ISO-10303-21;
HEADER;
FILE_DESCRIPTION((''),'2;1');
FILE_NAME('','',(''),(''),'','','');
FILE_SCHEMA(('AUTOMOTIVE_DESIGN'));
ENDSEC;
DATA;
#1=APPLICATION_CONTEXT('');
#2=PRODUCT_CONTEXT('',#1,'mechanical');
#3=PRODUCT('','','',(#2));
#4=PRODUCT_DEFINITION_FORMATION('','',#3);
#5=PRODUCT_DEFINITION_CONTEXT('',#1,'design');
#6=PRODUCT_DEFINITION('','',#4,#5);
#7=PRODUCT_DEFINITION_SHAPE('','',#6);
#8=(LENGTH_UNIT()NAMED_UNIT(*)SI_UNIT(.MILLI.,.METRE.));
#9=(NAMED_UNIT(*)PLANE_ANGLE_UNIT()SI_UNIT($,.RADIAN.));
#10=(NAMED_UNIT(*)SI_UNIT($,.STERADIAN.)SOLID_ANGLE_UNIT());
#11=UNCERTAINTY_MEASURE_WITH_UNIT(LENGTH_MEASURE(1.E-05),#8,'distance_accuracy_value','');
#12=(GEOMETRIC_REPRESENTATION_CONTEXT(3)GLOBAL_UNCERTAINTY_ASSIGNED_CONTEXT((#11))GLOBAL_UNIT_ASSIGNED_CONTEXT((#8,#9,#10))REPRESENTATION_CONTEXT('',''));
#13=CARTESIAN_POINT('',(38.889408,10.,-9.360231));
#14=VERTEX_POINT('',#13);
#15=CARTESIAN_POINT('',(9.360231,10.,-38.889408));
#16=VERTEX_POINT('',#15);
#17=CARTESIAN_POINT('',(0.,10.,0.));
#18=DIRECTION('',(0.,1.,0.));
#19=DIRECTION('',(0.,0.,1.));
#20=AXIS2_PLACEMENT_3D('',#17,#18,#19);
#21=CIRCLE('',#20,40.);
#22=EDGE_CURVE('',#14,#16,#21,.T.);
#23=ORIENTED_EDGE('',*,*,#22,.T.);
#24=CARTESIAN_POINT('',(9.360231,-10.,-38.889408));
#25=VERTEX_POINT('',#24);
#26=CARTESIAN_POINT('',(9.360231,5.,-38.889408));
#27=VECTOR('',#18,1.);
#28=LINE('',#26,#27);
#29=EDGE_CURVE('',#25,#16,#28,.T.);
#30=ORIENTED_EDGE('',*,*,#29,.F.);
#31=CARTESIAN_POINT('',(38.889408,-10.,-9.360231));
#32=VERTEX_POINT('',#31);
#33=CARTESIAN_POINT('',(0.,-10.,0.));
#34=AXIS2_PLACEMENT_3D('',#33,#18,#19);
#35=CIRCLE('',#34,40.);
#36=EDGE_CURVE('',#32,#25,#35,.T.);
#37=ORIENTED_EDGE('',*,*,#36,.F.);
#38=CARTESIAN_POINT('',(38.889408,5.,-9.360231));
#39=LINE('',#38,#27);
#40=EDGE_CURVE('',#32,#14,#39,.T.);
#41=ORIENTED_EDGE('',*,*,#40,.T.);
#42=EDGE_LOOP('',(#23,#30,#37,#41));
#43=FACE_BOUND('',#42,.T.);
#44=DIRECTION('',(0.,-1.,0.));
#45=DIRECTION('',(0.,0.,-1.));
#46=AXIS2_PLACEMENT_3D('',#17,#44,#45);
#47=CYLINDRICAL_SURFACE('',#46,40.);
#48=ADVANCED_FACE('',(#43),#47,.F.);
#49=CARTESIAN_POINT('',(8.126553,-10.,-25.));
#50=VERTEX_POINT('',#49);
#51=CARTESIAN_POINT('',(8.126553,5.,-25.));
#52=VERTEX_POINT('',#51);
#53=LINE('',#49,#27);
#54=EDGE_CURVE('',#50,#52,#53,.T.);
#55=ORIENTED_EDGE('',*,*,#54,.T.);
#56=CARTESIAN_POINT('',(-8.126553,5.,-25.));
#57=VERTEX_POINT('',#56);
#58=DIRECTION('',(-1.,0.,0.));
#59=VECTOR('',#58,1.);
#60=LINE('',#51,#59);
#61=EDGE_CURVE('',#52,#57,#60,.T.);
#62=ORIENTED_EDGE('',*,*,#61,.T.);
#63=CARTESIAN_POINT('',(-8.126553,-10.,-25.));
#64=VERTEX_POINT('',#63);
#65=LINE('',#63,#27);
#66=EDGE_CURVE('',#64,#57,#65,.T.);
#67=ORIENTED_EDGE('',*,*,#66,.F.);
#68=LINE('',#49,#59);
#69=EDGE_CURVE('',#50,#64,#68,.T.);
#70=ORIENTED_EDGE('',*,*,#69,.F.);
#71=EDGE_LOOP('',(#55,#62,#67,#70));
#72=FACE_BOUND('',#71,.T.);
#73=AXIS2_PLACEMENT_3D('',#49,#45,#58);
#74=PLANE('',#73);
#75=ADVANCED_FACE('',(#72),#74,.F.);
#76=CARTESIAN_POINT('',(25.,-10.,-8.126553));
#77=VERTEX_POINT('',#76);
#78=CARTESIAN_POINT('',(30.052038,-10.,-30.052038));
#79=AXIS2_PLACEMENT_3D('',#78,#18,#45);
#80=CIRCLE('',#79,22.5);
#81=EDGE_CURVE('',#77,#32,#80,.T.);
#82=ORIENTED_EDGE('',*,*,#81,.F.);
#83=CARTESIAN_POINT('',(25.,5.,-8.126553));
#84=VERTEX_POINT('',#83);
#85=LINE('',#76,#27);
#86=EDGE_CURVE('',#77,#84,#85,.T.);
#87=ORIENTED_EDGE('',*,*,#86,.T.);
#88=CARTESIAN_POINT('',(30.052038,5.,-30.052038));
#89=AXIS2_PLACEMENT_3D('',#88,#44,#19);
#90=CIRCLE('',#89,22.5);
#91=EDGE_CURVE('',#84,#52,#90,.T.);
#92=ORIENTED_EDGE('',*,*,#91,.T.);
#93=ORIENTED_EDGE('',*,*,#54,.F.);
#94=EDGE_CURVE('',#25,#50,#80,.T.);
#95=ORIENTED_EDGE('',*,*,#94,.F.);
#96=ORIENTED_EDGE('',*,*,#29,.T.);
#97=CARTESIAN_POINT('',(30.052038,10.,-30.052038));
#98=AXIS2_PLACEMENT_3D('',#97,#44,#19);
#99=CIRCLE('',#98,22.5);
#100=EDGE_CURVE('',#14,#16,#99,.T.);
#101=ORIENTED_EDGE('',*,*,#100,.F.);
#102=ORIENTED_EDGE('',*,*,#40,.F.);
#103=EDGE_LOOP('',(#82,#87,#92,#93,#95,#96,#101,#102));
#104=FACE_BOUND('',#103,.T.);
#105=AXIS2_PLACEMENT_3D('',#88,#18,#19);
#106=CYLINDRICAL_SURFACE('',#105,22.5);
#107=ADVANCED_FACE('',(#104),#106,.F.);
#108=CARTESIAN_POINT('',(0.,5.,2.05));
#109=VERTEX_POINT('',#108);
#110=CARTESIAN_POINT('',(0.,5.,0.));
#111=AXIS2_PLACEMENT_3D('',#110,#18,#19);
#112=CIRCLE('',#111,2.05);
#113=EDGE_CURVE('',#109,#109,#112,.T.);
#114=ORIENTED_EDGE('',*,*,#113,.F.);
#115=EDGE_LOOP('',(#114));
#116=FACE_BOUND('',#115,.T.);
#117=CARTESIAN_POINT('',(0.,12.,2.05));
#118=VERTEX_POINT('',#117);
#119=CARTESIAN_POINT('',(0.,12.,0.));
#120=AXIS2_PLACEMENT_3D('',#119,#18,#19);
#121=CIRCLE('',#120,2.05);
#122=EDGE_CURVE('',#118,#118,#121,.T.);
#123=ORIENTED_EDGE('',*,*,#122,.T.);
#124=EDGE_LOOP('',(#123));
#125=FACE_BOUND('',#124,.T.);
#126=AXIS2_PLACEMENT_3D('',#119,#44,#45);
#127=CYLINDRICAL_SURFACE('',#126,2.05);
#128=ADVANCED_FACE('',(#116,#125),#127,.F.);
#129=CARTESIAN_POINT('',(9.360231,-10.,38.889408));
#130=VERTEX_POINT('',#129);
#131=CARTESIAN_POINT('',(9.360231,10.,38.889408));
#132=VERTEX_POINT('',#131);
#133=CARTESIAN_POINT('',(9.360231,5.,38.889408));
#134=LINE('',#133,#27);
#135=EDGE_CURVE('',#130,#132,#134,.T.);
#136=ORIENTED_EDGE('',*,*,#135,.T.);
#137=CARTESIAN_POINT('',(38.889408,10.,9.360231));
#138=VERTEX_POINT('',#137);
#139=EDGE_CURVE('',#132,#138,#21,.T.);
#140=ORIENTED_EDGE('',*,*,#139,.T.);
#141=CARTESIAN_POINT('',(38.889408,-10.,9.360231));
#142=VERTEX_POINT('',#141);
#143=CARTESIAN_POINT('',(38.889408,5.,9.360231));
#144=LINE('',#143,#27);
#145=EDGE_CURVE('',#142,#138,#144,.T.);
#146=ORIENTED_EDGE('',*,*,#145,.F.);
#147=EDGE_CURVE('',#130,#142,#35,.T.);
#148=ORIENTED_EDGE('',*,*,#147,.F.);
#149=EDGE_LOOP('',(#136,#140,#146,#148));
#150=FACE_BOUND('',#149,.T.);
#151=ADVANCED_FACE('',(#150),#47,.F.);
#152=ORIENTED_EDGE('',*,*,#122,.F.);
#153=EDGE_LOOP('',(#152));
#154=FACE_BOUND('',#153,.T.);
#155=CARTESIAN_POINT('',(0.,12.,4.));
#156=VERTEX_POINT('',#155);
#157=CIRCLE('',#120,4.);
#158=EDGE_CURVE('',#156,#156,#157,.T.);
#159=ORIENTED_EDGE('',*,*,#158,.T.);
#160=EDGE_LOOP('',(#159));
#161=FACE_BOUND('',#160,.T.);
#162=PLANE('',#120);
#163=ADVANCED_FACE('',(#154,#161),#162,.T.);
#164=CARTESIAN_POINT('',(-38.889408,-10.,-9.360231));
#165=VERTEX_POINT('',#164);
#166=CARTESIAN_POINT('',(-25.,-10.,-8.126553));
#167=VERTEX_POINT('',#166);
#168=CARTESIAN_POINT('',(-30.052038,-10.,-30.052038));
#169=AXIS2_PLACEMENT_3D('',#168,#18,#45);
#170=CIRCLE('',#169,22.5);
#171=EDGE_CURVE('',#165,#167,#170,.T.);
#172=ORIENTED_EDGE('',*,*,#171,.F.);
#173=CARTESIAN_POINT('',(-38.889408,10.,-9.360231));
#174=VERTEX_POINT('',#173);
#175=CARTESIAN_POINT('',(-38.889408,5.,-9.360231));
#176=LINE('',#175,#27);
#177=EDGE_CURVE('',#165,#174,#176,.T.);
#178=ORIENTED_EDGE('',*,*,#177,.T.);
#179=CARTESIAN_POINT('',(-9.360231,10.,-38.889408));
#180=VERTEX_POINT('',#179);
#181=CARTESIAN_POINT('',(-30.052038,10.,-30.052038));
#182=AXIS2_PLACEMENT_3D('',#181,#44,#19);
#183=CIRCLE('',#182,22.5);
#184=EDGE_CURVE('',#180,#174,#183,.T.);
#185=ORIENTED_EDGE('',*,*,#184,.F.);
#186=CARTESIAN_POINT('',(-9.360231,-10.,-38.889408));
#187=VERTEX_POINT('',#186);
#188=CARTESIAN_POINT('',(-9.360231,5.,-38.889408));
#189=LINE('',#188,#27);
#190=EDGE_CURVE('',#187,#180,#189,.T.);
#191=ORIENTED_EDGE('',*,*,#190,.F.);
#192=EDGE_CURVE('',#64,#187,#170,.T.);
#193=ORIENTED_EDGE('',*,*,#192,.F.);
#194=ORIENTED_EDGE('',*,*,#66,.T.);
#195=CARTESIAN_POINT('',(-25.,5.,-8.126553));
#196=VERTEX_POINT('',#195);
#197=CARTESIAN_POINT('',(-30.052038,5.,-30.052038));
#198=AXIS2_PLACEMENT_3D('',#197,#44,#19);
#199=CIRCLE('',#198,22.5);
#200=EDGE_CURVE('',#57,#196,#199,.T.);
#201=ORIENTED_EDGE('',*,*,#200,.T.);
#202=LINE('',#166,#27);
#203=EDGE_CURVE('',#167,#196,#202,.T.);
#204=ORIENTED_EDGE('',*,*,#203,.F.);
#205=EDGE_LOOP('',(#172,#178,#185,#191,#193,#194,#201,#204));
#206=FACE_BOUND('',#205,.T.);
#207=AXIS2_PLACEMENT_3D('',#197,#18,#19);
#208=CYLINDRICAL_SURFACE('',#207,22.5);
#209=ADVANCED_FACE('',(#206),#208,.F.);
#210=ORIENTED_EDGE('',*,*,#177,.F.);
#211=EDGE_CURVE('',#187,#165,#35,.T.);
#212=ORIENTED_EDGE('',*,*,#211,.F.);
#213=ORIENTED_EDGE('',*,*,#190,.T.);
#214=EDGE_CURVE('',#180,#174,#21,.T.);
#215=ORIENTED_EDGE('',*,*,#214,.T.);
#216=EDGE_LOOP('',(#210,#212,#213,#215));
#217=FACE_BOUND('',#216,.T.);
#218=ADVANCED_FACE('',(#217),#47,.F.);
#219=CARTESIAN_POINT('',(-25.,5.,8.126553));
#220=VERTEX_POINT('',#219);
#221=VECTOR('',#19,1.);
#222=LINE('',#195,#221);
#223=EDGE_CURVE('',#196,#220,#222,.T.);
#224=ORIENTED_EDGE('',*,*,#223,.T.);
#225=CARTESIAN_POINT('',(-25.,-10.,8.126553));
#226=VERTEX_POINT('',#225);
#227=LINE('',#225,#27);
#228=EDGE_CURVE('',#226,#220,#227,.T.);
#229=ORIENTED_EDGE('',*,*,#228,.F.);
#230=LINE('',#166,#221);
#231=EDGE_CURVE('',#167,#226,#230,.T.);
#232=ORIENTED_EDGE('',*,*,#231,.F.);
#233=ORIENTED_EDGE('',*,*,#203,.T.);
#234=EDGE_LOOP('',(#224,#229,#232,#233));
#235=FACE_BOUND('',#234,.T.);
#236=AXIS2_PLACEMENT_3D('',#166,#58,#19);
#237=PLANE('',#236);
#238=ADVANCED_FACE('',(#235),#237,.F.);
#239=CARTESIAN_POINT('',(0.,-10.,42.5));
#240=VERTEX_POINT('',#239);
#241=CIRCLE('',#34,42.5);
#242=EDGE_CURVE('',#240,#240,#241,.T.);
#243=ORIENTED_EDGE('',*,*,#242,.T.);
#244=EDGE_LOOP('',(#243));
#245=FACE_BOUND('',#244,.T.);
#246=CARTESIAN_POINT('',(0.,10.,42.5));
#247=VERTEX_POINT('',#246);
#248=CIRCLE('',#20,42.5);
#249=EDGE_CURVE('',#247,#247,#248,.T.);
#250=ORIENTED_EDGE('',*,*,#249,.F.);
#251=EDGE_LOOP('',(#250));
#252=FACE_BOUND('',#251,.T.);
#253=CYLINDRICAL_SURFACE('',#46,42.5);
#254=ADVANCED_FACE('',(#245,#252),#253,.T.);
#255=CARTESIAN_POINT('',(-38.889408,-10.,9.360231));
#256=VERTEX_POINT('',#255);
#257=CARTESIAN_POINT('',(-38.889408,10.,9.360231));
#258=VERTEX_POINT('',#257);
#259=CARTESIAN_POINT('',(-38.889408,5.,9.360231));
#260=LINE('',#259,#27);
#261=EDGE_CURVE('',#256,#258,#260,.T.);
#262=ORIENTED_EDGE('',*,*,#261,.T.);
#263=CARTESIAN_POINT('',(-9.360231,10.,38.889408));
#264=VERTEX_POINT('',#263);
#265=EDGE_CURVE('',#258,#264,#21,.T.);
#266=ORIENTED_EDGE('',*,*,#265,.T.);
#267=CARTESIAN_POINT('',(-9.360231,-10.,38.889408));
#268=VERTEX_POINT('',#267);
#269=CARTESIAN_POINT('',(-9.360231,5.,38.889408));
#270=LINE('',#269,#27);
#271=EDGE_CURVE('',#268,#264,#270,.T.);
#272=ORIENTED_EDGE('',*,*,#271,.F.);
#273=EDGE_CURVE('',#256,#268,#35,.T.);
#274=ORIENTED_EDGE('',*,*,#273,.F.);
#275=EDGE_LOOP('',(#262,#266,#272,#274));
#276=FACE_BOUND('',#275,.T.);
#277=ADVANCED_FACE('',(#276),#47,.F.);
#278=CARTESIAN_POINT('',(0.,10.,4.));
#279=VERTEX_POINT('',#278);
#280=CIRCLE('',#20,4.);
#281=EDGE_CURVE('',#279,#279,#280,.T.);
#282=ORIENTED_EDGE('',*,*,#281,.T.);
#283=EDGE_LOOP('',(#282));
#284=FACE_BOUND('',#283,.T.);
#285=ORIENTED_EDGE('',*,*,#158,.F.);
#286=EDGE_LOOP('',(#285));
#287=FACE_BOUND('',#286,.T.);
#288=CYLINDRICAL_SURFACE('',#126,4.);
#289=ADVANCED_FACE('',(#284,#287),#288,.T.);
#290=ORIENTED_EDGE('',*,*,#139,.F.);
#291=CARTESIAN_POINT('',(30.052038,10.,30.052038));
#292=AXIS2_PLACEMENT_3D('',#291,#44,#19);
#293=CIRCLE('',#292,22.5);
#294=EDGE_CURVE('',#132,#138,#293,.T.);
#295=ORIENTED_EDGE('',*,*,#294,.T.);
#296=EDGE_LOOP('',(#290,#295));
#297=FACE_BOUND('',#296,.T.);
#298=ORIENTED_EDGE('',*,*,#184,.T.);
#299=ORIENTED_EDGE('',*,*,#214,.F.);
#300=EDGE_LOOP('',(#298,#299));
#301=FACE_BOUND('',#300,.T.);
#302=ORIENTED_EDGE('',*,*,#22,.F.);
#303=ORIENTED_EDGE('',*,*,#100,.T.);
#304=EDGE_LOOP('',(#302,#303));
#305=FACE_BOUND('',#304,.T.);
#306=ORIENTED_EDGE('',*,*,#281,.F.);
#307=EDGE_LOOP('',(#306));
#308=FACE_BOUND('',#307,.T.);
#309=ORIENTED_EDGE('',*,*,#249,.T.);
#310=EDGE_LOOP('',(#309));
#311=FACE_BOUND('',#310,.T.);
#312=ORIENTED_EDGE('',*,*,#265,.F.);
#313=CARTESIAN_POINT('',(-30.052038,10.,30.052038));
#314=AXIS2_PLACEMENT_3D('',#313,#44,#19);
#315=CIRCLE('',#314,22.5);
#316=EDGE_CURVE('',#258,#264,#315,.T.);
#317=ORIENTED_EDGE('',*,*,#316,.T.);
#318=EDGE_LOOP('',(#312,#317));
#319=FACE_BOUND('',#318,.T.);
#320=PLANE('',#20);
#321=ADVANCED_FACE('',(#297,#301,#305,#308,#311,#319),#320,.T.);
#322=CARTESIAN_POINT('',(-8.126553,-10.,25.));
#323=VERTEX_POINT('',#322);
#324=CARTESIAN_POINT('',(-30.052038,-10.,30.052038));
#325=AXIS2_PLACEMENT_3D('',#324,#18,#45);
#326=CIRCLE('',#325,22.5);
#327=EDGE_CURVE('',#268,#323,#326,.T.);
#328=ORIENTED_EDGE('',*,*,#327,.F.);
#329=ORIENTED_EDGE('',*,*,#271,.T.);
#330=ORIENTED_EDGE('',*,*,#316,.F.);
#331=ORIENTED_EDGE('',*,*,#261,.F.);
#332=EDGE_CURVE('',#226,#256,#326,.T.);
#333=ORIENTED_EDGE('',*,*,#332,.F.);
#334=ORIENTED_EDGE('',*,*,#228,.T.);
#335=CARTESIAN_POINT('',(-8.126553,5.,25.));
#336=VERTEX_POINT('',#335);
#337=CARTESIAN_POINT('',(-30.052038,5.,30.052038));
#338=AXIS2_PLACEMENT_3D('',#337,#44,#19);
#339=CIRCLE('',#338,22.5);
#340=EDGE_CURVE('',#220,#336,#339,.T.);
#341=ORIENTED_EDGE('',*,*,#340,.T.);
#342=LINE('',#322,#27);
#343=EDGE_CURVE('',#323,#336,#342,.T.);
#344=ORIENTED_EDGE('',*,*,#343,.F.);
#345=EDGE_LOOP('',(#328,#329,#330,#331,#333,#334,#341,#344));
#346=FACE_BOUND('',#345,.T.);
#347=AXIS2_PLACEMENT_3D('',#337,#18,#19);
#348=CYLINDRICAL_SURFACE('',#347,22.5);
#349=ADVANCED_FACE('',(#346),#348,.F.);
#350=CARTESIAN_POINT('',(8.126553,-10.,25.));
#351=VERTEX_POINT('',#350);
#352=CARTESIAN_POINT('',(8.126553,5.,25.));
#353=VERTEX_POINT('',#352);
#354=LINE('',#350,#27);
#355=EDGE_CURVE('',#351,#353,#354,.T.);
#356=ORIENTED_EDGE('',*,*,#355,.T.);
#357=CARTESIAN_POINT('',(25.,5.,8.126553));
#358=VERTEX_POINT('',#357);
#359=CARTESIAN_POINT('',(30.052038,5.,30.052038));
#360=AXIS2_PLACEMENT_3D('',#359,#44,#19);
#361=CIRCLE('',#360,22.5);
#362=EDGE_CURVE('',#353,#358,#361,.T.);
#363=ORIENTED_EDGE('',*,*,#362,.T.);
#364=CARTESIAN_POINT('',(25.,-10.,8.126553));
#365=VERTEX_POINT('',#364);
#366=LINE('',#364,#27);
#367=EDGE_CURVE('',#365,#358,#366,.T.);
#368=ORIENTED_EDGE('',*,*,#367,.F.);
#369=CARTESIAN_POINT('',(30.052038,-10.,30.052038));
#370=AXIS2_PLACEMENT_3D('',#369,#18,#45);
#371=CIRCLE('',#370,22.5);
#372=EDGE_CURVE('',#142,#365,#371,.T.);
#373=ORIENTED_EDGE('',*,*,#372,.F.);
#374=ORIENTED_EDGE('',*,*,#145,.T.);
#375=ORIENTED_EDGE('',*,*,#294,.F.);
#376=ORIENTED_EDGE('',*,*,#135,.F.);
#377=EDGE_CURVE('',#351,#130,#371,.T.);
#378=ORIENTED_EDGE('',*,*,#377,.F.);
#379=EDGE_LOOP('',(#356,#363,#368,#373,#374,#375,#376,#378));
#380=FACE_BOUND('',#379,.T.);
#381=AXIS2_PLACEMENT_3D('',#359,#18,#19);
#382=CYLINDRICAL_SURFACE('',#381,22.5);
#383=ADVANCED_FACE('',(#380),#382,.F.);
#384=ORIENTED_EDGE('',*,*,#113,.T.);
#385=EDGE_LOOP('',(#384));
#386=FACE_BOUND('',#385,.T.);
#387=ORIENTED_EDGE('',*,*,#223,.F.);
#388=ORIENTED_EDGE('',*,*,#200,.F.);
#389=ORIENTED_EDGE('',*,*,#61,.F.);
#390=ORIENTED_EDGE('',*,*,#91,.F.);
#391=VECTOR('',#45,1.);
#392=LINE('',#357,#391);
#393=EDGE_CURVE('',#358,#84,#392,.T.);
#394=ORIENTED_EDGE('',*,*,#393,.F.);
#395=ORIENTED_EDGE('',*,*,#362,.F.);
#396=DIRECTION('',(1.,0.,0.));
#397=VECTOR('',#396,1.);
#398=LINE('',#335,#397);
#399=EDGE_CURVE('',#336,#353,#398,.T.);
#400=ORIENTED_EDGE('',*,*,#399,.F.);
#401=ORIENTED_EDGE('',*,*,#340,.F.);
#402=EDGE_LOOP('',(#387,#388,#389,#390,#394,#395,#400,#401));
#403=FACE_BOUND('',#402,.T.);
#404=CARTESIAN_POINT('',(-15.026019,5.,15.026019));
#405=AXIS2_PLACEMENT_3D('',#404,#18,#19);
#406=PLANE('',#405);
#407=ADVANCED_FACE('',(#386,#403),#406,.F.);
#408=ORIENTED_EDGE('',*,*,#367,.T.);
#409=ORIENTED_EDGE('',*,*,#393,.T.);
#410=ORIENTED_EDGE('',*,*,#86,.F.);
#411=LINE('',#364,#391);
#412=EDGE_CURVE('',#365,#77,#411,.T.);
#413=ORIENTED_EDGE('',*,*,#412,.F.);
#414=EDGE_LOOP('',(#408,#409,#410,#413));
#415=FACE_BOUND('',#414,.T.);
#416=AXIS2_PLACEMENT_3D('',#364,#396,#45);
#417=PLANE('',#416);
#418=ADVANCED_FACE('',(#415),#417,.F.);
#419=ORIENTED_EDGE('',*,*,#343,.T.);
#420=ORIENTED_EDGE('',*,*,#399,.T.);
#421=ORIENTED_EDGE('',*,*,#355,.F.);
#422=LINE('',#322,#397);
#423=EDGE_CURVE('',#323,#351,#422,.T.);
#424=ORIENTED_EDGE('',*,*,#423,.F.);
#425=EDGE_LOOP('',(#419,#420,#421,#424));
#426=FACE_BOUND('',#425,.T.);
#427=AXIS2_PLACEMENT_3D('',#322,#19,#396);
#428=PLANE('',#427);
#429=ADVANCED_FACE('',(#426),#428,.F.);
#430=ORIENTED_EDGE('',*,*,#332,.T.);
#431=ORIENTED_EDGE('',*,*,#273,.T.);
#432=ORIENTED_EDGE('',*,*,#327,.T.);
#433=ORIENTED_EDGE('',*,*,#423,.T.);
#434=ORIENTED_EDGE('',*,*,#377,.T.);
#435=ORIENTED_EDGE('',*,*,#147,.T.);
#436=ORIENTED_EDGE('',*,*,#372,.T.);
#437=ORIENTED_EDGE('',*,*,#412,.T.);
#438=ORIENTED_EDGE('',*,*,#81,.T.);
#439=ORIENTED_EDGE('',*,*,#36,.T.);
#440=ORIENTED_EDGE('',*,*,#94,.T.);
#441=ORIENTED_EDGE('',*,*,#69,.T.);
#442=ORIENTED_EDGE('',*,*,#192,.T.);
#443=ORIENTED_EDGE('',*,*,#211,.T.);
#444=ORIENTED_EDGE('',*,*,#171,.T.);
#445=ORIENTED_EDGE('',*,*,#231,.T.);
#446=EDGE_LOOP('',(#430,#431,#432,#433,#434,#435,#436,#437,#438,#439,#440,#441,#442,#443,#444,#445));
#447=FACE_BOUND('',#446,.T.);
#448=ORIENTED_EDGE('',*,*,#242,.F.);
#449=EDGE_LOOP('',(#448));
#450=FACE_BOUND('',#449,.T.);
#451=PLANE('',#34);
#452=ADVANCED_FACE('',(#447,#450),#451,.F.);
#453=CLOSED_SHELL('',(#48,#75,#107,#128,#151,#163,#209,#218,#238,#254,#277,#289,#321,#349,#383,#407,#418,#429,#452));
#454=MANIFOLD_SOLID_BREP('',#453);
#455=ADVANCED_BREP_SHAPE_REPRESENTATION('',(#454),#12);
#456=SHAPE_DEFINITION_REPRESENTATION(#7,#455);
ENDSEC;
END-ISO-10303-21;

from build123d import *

# Parameters (mm, degrees)
SKETCH1_R           = 42.5
SKETCH1_R_2         = 40
BOSS_EXTRUDE1_DEPTH = 10
BOSS_EXTRUDE2_START = -5
BOSS_EXTRUDE2_DEPTH = 5
SKETCH3_R           = 4
SKETCH3_R_2         = 2.05
BOSS_EXTRUDE3_DEPTH = 2
SKETCH4_R           = 2.05
CUT_EXTRUDE1_DEPTH  = 64.344297297
BOSS_EXTRUDE4_START = 15
BOSS_EXTRUDE4_DEPTH = 15


with BuildPart() as part:
    # Sketch1 → Boss-Extrude1 (new, symmetric)
    with BuildSketch(Plane(origin=(0, 0, 0), x_dir=(1, 0, 0), z_dir=(0, 1, 0))):
        with Locations(Location((0, 0, 0), (0, 0, 270))):
            Circle(SKETCH1_R)
        with Locations(Location((0, 0, 0), (0, 0, 270))):
            Circle(SKETCH1_R_2, mode=Mode.SUBTRACT)
    extrude(amount=BOSS_EXTRUDE1_DEPTH, both=True)

    # Sketch2 → Boss-Extrude2 (add)
    with BuildSketch(Plane(origin=(0, 10, 0), x_dir=(1, 0, 0), z_dir=(0, 1, 0)).offset(BOSS_EXTRUDE2_START)):
        with BuildLine():
            ThreePointArc((-38.889408297, 9.36023089), (-14.142135624, 14.142135624), (-9.36023089, 38.889408297))
            ThreePointArc((-9.36023089, 38.889408297), (0, 40), (9.36023089, 38.889408297))
            ThreePointArc((9.36023089, 38.889408297), (14.142135624, 14.142135624), (38.889408297, 9.36023089))
            ThreePointArc((38.889408297, 9.36023089), (40, 0), (38.889408297, -9.36023089))
            ThreePointArc((38.889408297, -9.36023089), (14.142135624, -14.142135624), (9.36023089, -38.889408297))
            ThreePointArc((9.36023089, -38.889408297), (0, -40), (-9.36023089, -38.889408297))
            ThreePointArc((-9.36023089, -38.889408297), (-14.142135624, -14.142135624), (-38.889408297, -9.36023089))
            ThreePointArc((-38.889408297, -9.36023089), (-40, 0), (-38.889408297, 9.36023089))
        make_face()
    extrude(amount=BOSS_EXTRUDE2_DEPTH)

    # Sketch3 → Boss-Extrude3 (add)
    with BuildSketch(Plane(origin=(0, 10, 0), x_dir=(1, 0, 0), z_dir=(0, 1, 0))):
        with Locations(Location((0, 0, 0), (0, 0, 270))):
            Circle(SKETCH3_R)
        with Locations(Location((0, 0, 0), (0, 0, 270))):
            Circle(SKETCH3_R_2, mode=Mode.SUBTRACT)
    extrude(amount=BOSS_EXTRUDE3_DEPTH)

    # Sketch4 → Cut-Extrude1 (cut, through all)
    with BuildSketch(Plane(origin=(0, 10, 0), x_dir=(1, 0, 0), z_dir=(0, 1, 0))):
        with Locations(Location((0, 0, 0), (0, 0, 270))):
            Circle(SKETCH4_R)
    extrude(amount=-CUT_EXTRUDE1_DEPTH, mode=Mode.SUBTRACT)

    # Sketch5 → Boss-Extrude4 (add)
    with BuildSketch(Plane.XZ.offset(-5).offset(BOSS_EXTRUDE4_START)):
        with BuildLine():
            Line((-25, -8.126552801), (-25, 8.126552801))
            ThreePointArc((-25, 8.126552801), (-32.042685029, 7.64027064), (-38.889408297, 9.36023089))
            ThreePointArc((-38.889408297, 9.36023089), (-40, 0), (-38.889408297, -9.36023089))
            ThreePointArc((-38.889408297, -9.36023089), (-32.042685029, -7.64027064), (-25, -8.126552801))
        make_face()
        with BuildLine():
            Line((-8.126552801, 25), (8.126552801, 25))
            ThreePointArc((8.126552801, 25), (7.64027064, 32.042685029), (9.36023089, 38.889408297))
            ThreePointArc((9.36023089, 38.889408297), (0, 40), (-9.36023089, 38.889408297))
            ThreePointArc((-9.36023089, 38.889408297), (-7.64027064, 32.042685029), (-8.126552801, 25))
        make_face()
        with BuildLine():
            Line((25, 8.126552801), (25, -8.126552801))
            ThreePointArc((25, -8.126552801), (32.042685029, -7.64027064), (38.889408297, -9.36023089))
            ThreePointArc((38.889408297, -9.36023089), (40, 0), (38.889408297, 9.36023089))
            ThreePointArc((38.889408297, 9.36023089), (32.042685029, 7.64027064), (25, 8.126552801))
        make_face()
        with BuildLine():
            Line((8.126552801, -25), (-8.126552801, -25))
            ThreePointArc((-8.126552801, -25), (-7.64027064, -32.042685029), (-9.36023089, -38.889408297))
            ThreePointArc((-9.36023089, -38.889408297), (0, -40), (9.36023089, -38.889408297))
            ThreePointArc((9.36023089, -38.889408297), (7.64027064, -32.042685029), (8.126552801, -25))
        make_face()
    extrude(amount=-BOSS_EXTRUDE4_DEPTH)


solid = part.part
